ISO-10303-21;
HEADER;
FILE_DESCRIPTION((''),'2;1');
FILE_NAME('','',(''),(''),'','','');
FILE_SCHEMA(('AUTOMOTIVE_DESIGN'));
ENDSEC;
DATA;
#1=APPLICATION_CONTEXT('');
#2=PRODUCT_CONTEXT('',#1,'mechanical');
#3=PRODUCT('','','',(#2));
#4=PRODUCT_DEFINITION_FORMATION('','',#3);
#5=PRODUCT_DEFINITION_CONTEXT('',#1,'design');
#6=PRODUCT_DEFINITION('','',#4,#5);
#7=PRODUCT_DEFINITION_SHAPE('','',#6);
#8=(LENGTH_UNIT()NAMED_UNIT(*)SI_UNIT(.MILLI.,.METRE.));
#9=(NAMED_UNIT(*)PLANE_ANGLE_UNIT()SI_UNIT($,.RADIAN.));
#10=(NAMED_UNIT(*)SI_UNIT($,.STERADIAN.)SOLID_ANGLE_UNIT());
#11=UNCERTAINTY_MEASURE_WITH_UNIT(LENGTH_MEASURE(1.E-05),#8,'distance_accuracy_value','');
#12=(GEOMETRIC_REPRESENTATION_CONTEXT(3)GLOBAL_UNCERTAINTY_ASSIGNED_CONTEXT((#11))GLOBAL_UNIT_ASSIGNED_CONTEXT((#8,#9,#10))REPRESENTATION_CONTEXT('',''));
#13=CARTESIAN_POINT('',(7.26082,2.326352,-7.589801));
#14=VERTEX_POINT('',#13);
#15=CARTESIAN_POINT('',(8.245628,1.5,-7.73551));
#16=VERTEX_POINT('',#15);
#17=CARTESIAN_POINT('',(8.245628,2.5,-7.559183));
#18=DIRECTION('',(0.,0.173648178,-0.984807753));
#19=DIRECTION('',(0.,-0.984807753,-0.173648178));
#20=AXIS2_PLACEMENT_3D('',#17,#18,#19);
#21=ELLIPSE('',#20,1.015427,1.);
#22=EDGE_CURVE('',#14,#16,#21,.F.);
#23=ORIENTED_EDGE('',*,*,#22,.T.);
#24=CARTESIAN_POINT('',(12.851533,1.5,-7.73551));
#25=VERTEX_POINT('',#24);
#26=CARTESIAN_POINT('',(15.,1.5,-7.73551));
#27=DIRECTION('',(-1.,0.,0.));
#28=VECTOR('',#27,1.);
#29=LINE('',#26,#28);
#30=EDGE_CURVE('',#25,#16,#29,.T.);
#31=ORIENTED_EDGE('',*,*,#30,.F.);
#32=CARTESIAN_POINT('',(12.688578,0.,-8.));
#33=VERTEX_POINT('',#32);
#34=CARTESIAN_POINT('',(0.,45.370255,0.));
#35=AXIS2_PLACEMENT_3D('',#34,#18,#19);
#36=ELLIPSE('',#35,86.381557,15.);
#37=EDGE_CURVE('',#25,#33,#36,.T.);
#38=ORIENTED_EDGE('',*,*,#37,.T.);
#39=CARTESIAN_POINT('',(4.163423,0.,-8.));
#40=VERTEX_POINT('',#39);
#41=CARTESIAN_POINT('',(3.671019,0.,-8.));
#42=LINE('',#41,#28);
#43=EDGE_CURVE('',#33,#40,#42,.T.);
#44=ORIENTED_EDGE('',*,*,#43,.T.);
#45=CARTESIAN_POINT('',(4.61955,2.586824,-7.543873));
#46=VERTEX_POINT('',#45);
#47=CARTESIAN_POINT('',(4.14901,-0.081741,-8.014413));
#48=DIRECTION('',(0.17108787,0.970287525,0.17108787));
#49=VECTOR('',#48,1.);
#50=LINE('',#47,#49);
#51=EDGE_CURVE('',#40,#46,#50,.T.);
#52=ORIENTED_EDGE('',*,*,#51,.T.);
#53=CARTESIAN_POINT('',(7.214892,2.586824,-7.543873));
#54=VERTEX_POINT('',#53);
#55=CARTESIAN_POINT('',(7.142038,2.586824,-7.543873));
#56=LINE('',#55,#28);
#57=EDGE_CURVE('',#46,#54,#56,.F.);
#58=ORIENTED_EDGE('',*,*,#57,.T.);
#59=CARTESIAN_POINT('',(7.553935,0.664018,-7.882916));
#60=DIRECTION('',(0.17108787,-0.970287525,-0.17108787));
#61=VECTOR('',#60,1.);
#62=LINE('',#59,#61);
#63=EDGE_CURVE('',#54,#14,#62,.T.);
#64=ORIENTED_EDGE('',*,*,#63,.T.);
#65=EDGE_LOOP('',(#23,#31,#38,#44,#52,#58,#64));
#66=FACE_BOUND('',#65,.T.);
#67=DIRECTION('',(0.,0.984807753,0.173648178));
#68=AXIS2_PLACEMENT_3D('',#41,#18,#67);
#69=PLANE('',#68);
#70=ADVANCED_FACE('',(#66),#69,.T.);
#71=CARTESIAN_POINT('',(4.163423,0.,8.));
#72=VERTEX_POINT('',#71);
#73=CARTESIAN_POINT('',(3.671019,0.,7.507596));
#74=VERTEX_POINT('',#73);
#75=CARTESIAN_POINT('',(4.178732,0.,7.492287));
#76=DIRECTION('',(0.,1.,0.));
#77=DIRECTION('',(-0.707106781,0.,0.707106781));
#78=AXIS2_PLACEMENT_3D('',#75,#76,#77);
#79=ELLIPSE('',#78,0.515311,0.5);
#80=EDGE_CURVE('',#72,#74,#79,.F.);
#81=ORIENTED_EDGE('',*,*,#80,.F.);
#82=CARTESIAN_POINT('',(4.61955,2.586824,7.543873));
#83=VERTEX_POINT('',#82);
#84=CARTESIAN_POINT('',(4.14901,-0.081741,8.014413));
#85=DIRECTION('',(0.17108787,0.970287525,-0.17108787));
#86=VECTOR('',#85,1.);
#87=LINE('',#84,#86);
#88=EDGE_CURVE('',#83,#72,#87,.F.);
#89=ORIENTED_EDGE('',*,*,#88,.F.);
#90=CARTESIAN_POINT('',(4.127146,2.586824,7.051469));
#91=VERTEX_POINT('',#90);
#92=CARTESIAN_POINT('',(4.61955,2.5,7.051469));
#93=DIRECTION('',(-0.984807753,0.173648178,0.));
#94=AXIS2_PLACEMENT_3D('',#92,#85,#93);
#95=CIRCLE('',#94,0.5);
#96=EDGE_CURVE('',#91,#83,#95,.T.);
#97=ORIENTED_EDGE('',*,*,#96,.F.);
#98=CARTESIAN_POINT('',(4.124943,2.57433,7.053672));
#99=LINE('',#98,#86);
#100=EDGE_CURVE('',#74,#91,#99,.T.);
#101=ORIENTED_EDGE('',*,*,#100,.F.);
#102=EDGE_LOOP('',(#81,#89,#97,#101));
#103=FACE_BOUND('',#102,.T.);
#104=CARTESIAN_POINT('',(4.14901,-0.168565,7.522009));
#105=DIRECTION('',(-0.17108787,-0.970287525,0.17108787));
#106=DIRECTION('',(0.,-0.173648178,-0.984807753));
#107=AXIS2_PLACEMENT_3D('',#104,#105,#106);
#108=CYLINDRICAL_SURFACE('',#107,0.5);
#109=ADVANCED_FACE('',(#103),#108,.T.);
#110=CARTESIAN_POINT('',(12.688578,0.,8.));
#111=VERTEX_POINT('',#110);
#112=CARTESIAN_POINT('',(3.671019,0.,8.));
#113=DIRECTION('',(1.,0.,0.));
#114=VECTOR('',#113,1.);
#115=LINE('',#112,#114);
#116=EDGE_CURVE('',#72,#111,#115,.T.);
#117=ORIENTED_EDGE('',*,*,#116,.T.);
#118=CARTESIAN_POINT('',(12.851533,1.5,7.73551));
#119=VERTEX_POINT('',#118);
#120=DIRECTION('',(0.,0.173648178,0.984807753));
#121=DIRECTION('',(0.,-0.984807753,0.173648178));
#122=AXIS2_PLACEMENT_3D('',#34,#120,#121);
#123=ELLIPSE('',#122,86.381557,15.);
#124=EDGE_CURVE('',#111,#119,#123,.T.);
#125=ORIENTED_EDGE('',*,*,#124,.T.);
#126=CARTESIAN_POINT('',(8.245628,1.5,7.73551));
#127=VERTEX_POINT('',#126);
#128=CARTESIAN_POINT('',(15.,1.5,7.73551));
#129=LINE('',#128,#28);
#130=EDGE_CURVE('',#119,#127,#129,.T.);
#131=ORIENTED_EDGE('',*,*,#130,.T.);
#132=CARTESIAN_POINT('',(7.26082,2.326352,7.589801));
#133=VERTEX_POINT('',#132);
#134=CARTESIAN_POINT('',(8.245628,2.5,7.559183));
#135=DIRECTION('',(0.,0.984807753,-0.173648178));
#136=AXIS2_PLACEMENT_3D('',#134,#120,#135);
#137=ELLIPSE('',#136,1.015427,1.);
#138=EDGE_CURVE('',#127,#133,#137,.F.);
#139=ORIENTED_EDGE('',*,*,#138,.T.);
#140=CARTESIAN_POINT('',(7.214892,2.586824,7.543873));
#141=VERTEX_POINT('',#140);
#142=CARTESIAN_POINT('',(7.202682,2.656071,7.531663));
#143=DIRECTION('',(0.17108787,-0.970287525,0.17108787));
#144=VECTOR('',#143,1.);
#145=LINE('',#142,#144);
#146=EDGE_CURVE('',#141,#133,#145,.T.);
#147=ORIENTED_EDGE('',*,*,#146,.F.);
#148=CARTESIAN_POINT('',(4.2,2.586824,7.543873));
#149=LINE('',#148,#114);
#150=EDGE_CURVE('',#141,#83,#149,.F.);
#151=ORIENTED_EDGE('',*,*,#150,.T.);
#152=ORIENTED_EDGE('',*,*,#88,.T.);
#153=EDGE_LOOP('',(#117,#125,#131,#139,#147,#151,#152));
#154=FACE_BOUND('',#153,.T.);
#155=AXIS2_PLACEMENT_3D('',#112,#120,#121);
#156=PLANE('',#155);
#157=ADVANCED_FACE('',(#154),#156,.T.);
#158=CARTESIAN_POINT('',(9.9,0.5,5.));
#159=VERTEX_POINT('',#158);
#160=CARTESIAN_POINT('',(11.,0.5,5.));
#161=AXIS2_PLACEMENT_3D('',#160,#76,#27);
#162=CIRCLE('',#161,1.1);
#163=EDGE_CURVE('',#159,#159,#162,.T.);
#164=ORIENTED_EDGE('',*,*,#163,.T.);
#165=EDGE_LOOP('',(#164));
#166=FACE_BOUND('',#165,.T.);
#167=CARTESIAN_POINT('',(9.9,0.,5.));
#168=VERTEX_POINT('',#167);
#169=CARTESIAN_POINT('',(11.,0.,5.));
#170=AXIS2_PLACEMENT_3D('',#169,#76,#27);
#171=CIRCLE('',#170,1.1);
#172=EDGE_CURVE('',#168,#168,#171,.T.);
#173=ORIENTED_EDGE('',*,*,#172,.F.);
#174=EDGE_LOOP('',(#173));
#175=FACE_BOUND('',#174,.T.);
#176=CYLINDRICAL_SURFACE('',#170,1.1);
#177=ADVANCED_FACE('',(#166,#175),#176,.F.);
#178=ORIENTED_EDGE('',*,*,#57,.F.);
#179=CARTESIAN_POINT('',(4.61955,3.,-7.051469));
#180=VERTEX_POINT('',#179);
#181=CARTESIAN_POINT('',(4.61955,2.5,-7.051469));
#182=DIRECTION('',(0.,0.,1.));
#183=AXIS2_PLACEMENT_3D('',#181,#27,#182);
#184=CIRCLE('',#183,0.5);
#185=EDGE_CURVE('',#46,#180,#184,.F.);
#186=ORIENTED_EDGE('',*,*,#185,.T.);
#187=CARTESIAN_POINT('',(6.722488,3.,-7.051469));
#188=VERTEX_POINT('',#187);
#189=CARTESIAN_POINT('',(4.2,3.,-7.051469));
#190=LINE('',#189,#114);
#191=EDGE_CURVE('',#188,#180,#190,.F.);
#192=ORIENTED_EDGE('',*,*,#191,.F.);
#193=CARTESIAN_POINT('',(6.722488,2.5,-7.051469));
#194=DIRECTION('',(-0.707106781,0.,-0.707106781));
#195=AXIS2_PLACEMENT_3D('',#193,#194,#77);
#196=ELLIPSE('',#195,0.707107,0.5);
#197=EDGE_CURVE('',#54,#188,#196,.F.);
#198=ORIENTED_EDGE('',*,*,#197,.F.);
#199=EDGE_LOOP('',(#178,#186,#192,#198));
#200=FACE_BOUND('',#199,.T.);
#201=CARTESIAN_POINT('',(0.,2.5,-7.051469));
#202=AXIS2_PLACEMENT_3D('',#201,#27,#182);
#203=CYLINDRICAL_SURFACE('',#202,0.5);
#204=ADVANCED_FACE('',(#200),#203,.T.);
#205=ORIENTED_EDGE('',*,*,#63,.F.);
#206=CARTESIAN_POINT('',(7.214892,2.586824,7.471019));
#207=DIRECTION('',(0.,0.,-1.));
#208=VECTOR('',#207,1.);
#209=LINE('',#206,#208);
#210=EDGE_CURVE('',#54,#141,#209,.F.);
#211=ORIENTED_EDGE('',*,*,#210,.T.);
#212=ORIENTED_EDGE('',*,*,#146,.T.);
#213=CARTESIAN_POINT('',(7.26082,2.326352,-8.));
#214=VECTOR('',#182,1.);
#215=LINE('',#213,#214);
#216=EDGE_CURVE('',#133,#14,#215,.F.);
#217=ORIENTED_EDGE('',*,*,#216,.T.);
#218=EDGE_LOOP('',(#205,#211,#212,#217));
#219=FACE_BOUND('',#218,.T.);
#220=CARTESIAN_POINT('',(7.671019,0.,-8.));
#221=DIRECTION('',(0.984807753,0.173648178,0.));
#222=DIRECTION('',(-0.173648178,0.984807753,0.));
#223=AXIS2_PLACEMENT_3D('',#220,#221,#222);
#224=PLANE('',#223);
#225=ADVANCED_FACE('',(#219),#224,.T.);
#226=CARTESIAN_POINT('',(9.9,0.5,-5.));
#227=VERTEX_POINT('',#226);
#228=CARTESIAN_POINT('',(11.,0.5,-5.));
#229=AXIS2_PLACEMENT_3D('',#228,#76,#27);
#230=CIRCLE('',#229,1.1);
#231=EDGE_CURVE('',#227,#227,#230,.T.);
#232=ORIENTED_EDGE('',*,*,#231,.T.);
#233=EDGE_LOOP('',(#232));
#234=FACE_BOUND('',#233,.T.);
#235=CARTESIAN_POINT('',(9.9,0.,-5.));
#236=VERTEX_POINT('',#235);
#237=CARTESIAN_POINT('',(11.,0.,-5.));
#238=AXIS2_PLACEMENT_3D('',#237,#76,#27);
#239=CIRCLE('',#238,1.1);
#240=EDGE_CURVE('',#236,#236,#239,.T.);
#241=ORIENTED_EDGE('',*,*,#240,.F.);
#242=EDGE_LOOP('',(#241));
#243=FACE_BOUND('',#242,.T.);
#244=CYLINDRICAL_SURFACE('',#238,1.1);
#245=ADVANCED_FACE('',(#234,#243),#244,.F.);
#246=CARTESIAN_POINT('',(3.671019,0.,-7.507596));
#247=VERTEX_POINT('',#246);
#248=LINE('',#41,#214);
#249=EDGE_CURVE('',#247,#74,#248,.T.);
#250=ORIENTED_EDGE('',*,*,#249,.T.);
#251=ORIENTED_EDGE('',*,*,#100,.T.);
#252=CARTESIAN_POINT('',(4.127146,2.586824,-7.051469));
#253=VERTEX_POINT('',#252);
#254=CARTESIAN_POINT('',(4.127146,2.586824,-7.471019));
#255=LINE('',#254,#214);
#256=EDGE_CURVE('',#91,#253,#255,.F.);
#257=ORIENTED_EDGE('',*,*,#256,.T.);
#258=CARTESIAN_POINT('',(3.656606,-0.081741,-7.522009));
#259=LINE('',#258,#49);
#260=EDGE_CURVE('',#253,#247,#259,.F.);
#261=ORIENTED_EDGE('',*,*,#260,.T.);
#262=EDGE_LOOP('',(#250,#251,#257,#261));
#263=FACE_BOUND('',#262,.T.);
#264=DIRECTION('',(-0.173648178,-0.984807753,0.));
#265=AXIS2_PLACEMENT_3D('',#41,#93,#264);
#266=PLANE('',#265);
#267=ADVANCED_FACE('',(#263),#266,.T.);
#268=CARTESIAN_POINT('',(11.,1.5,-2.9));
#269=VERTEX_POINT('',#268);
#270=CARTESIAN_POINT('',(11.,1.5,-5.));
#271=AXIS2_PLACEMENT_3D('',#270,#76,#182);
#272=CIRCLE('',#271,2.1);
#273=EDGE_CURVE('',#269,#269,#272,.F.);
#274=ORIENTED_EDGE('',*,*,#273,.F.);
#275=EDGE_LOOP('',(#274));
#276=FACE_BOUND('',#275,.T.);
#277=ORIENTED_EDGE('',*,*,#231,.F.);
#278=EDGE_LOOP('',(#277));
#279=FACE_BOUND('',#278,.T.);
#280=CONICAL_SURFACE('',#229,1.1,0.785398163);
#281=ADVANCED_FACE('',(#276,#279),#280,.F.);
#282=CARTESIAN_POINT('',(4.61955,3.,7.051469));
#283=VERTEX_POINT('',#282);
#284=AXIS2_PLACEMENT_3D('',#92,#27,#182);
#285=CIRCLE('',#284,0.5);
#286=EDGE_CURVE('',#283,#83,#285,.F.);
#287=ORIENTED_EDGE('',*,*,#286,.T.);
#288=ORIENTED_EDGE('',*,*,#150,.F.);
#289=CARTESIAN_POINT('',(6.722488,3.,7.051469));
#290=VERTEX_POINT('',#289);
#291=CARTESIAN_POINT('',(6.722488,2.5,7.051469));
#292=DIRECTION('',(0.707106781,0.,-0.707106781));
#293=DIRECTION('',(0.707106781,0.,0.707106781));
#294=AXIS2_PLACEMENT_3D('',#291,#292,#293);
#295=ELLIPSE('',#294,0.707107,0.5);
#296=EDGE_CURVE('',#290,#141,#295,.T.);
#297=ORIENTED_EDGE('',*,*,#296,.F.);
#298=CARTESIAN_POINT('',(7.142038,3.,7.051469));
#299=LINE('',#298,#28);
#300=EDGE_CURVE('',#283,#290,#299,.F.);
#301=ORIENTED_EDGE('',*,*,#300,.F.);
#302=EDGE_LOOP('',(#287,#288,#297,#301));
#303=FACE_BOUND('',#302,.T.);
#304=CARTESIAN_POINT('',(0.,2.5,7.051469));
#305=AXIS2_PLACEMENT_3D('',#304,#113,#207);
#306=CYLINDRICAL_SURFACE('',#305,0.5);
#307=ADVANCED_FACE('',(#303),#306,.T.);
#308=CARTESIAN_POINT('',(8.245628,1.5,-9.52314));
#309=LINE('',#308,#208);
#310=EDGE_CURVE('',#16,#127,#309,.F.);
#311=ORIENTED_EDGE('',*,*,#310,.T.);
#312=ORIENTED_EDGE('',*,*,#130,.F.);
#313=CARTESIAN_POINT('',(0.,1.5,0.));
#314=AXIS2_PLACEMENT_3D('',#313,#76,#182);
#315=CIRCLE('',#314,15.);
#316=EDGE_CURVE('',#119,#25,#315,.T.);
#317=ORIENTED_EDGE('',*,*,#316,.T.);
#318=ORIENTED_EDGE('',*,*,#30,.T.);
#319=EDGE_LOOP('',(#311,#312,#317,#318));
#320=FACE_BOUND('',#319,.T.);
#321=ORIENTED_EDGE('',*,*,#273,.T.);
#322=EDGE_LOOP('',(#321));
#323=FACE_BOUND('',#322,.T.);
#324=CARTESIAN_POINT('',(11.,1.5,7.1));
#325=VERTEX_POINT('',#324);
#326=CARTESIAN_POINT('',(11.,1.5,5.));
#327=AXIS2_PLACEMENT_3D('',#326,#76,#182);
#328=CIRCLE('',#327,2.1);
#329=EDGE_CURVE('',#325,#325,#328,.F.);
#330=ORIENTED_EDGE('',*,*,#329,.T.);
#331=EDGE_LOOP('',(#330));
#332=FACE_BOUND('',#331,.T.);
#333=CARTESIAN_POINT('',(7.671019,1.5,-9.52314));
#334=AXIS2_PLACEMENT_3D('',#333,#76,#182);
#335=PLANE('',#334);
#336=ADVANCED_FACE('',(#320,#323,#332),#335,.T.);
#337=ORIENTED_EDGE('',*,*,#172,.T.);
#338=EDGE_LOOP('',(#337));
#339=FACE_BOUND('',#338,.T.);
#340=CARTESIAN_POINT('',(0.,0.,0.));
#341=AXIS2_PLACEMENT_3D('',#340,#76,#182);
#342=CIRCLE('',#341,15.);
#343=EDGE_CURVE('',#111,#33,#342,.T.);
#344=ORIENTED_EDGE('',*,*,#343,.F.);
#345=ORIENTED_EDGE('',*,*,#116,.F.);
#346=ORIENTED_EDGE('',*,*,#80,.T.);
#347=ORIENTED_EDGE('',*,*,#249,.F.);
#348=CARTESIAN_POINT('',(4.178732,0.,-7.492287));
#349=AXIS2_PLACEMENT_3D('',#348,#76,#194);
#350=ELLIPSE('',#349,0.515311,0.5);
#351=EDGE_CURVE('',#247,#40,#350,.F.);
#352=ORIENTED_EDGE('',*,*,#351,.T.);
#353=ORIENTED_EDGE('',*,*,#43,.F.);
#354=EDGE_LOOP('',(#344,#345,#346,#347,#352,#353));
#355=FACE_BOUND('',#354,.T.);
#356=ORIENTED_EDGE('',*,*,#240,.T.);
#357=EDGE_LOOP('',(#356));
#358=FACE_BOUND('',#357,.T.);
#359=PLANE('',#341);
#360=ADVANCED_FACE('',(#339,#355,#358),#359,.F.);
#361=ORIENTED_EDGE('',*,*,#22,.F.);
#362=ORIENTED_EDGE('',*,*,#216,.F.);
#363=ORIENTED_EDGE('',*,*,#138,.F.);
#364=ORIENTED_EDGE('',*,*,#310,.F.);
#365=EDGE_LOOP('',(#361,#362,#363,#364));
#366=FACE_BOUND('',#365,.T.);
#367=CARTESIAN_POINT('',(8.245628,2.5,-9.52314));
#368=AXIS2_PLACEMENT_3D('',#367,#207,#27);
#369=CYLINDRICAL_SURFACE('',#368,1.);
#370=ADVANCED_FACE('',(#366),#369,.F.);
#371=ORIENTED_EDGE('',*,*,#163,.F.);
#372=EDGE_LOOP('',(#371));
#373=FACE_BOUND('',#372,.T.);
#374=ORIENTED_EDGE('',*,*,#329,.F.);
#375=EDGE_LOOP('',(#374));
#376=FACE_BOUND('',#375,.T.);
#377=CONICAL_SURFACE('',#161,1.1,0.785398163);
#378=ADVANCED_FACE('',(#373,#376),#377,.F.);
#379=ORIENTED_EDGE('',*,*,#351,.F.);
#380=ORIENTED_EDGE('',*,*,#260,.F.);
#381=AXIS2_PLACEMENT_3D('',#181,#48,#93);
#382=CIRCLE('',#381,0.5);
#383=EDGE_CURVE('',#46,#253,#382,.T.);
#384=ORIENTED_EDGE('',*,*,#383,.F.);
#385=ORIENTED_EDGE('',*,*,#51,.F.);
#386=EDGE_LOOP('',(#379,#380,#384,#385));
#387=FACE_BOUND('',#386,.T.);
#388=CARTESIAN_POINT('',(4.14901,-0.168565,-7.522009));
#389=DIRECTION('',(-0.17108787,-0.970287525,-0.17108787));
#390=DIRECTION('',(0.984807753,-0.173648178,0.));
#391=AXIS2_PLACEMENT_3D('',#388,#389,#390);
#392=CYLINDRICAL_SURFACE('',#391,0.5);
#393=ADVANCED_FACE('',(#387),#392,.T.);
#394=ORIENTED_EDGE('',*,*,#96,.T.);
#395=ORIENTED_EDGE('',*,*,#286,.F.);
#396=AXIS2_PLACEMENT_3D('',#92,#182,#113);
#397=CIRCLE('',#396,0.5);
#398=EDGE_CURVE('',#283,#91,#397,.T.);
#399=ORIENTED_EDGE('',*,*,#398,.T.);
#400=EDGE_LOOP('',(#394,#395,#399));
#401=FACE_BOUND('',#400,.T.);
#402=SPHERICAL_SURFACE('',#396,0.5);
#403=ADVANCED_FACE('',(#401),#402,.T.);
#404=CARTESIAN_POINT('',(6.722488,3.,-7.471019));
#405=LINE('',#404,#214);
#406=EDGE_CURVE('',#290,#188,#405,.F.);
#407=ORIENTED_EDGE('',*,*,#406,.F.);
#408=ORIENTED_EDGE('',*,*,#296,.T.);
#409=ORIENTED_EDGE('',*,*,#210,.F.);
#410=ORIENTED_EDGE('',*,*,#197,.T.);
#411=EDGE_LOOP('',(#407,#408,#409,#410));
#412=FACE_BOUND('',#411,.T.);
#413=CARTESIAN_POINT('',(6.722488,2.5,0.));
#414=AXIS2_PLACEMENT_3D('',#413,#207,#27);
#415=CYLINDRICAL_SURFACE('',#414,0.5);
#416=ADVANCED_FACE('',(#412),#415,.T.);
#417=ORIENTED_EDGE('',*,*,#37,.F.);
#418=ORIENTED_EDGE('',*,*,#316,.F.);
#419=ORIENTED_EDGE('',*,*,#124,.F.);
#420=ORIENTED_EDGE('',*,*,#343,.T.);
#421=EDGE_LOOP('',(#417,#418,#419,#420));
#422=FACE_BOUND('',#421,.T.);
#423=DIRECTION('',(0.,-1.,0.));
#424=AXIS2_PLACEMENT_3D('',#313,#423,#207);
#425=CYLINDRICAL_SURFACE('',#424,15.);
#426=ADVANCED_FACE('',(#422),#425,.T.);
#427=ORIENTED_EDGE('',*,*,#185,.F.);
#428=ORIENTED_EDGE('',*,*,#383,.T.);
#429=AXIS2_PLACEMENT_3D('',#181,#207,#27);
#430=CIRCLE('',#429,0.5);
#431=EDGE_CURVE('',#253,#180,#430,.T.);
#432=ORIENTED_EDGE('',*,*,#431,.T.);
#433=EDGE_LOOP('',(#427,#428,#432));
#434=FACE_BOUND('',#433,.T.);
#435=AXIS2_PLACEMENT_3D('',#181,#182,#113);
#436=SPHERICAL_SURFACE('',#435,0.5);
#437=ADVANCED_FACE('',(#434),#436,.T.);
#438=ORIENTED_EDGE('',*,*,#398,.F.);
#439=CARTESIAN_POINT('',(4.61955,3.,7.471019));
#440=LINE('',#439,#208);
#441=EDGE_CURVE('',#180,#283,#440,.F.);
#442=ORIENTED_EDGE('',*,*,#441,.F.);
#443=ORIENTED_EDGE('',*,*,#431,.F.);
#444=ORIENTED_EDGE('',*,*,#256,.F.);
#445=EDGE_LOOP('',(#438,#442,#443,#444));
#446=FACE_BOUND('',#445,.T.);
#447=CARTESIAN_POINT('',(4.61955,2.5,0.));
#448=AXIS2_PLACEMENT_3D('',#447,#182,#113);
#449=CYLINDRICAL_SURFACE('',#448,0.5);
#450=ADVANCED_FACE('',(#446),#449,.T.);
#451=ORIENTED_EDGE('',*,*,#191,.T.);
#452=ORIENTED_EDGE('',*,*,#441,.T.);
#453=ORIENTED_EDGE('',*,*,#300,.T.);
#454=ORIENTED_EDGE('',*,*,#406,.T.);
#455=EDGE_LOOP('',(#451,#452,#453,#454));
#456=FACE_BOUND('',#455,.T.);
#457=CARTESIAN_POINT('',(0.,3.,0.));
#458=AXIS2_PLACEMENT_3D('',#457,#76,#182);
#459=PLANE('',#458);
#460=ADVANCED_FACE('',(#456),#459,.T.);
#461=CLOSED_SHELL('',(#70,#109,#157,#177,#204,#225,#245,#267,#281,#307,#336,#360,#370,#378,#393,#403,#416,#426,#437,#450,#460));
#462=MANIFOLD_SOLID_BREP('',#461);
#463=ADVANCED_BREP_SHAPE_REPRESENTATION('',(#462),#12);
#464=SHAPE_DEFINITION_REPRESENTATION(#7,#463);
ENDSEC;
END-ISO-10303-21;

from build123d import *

# Parameters (mm, degrees)
SKETCH_1_W               = 4
SKETCH_1_H               = 16
EXTRUDE_1_DEPTH          = 3
EXTRUDE_1_TAPER          = 10
EXTRUDE_3_DEPTH          = 1.5
EXTRUDE_4_DEPTH          = 16
CUT_EXTRUDE_1_REACH      = 19.263
CUT_EXTRUDE_1_END_RADIUS = 15
SKETCH_6_R               = 1.1
CUT_EXTRUDE_2_DEPTH      = 18.066048222
CHAMFER_1_SIZE           = 1
FILLET_2_R               = 1
FILLET_3_R               = 0.5


with BuildPart() as part:
    # Эскиз1 → Бобышка-Вытянуть1 (new body)
    with BuildSketch(Plane(origin=(0, 0, 0), x_dir=(1, 0, 0), z_dir=(0, 1, 0))):
        with Locations((5.671019058, 0)):
            Rectangle(SKETCH_1_W, SKETCH_1_H)
    extrude(amount=EXTRUDE_1_DEPTH, taper=EXTRUDE_1_TAPER)



with BuildPart() as body_2:
    # Эскиз2 → Бобышка-Вытянуть3 (new body)
    with BuildSketch(Plane(origin=(0, 0, 0), x_dir=(1, 0, 0), z_dir=(0, 1, 0))):
        with BuildLine():
            Line((7.671019058, 8), (12.68857754, 8))
            ThreePointArc((12.68857754, 8), (15, 0), (12.68857754, -8))
            Line((12.68857754, -8), (7.671019058, -8))
            Line((7.671019058, -8), (7.671019058, 8))
        make_face()
    extrude(amount=EXTRUDE_3_DEPTH)


with BuildPart() as part_1:
    add(part.part)

    add(body_2.part)  # Бобышка-Вытянуть4 merges body 2
    # Эскиз3 → Бобышка-Вытянуть4 (add)
    with BuildSketch(Plane.XY.offset(8)):
        Polygon((7.671019058, 1.5), (7.406528587, 1.5), (7.671019058, 0), align=None)
    extrude(amount=-EXTRUDE_4_DEPTH)

    # Вырез-Вытянуть1: up to this cylinder (the profile starts inside it)
    cut_extrude_1_end = Plane(origin=(0, 1, 0), z_dir=(0, -1, 0)) * Cylinder(CUT_EXTRUDE_1_END_RADIUS, 69.526, mode=Mode.PRIVATE)
    # Эскиз5 → Вырез-Вытянуть1 (cut, up to the surface)
    with BuildSketch(Plane(origin=(0, 0, 0), x_dir=(0, 0, -1), z_dir=(1, 0, 0)), mode=Mode.PRIVATE) as cut_extrude_1_sk1:
        Polygon((-8, 0), (-8, 1.5), (-7.735509529, 1.5), align=None)
    cut_extrude_1_tool1 = extrude(cut_extrude_1_sk1.sketch, amount=CUT_EXTRUDE_1_REACH, mode=Mode.PRIVATE) & cut_extrude_1_end
    add(cut_extrude_1_tool1.solids().sort_by_distance((0, 1, 7.911837))[0], mode=Mode.SUBTRACT)
    # Эскиз5 → Вырез-Вытянуть1 (cut, up to the surface)
    with BuildSketch(Plane(origin=(0, 0, 0), x_dir=(0, 0, -1), z_dir=(1, 0, 0)), mode=Mode.PRIVATE) as cut_extrude_1_sk2:
        Polygon((7.735509529, 1.5), (8, 0), (8, 1.5), align=None)
    cut_extrude_1_tool2 = extrude(cut_extrude_1_sk2.sketch, amount=CUT_EXTRUDE_1_REACH, mode=Mode.PRIVATE) & cut_extrude_1_end
    add(cut_extrude_1_tool2.solids().sort_by_distance((0, 1, -7.911837))[0], mode=Mode.SUBTRACT)

    # Эскиз6 → Вырез-Вытянуть2 (cut, through all)
    with BuildSketch(Plane(origin=(0, 1.5, 0), x_dir=(1, 0, 0), z_dir=(0, 1, 0))):
        with Locations(Location((11, 5, 0), (0, 0, 180))):
            Circle(SKETCH_6_R)
        with Locations(Location((11, -5, 0), (0, 0, 180))):
            Circle(SKETCH_6_R)
    extrude(amount=-CUT_EXTRUDE_2_DEPTH, mode=Mode.SUBTRACT)

    # Фаска1
    chamfer_1_edges = [part_1.edges().sort_by_distance(p)[0] for p in [
        (12.1, 1.5, -5),
        (12.1, 1.5, 5),
    ]]
    chamfer(chamfer_1_edges, length=CHAMFER_1_SIZE)

    # Скругление2
    fillet_2_edges = [part_1.edges().sort_by_distance(p)[0] for p in [
        (7.406528587, 1.5, 0),
    ]]
    fillet(fillet_2_edges, radius=FILLET_2_R)

    # Скругление3
    fillet_3_edges = [part_1.edges().sort_by_distance(p)[0] for p in [
        (4.2, 3, 0),
        (5.671019058, 3, 7.471019058),
        (7.142038116, 3, 0),
        (3.935509529, 1.5, 7.735509529),
        (3.935509529, 1.5, -7.735509529),
        (5.671019058, 3, -7.471019058),
    ]]
    fillet(fillet_3_edges, radius=FILLET_3_R)


solid = part_1.part
